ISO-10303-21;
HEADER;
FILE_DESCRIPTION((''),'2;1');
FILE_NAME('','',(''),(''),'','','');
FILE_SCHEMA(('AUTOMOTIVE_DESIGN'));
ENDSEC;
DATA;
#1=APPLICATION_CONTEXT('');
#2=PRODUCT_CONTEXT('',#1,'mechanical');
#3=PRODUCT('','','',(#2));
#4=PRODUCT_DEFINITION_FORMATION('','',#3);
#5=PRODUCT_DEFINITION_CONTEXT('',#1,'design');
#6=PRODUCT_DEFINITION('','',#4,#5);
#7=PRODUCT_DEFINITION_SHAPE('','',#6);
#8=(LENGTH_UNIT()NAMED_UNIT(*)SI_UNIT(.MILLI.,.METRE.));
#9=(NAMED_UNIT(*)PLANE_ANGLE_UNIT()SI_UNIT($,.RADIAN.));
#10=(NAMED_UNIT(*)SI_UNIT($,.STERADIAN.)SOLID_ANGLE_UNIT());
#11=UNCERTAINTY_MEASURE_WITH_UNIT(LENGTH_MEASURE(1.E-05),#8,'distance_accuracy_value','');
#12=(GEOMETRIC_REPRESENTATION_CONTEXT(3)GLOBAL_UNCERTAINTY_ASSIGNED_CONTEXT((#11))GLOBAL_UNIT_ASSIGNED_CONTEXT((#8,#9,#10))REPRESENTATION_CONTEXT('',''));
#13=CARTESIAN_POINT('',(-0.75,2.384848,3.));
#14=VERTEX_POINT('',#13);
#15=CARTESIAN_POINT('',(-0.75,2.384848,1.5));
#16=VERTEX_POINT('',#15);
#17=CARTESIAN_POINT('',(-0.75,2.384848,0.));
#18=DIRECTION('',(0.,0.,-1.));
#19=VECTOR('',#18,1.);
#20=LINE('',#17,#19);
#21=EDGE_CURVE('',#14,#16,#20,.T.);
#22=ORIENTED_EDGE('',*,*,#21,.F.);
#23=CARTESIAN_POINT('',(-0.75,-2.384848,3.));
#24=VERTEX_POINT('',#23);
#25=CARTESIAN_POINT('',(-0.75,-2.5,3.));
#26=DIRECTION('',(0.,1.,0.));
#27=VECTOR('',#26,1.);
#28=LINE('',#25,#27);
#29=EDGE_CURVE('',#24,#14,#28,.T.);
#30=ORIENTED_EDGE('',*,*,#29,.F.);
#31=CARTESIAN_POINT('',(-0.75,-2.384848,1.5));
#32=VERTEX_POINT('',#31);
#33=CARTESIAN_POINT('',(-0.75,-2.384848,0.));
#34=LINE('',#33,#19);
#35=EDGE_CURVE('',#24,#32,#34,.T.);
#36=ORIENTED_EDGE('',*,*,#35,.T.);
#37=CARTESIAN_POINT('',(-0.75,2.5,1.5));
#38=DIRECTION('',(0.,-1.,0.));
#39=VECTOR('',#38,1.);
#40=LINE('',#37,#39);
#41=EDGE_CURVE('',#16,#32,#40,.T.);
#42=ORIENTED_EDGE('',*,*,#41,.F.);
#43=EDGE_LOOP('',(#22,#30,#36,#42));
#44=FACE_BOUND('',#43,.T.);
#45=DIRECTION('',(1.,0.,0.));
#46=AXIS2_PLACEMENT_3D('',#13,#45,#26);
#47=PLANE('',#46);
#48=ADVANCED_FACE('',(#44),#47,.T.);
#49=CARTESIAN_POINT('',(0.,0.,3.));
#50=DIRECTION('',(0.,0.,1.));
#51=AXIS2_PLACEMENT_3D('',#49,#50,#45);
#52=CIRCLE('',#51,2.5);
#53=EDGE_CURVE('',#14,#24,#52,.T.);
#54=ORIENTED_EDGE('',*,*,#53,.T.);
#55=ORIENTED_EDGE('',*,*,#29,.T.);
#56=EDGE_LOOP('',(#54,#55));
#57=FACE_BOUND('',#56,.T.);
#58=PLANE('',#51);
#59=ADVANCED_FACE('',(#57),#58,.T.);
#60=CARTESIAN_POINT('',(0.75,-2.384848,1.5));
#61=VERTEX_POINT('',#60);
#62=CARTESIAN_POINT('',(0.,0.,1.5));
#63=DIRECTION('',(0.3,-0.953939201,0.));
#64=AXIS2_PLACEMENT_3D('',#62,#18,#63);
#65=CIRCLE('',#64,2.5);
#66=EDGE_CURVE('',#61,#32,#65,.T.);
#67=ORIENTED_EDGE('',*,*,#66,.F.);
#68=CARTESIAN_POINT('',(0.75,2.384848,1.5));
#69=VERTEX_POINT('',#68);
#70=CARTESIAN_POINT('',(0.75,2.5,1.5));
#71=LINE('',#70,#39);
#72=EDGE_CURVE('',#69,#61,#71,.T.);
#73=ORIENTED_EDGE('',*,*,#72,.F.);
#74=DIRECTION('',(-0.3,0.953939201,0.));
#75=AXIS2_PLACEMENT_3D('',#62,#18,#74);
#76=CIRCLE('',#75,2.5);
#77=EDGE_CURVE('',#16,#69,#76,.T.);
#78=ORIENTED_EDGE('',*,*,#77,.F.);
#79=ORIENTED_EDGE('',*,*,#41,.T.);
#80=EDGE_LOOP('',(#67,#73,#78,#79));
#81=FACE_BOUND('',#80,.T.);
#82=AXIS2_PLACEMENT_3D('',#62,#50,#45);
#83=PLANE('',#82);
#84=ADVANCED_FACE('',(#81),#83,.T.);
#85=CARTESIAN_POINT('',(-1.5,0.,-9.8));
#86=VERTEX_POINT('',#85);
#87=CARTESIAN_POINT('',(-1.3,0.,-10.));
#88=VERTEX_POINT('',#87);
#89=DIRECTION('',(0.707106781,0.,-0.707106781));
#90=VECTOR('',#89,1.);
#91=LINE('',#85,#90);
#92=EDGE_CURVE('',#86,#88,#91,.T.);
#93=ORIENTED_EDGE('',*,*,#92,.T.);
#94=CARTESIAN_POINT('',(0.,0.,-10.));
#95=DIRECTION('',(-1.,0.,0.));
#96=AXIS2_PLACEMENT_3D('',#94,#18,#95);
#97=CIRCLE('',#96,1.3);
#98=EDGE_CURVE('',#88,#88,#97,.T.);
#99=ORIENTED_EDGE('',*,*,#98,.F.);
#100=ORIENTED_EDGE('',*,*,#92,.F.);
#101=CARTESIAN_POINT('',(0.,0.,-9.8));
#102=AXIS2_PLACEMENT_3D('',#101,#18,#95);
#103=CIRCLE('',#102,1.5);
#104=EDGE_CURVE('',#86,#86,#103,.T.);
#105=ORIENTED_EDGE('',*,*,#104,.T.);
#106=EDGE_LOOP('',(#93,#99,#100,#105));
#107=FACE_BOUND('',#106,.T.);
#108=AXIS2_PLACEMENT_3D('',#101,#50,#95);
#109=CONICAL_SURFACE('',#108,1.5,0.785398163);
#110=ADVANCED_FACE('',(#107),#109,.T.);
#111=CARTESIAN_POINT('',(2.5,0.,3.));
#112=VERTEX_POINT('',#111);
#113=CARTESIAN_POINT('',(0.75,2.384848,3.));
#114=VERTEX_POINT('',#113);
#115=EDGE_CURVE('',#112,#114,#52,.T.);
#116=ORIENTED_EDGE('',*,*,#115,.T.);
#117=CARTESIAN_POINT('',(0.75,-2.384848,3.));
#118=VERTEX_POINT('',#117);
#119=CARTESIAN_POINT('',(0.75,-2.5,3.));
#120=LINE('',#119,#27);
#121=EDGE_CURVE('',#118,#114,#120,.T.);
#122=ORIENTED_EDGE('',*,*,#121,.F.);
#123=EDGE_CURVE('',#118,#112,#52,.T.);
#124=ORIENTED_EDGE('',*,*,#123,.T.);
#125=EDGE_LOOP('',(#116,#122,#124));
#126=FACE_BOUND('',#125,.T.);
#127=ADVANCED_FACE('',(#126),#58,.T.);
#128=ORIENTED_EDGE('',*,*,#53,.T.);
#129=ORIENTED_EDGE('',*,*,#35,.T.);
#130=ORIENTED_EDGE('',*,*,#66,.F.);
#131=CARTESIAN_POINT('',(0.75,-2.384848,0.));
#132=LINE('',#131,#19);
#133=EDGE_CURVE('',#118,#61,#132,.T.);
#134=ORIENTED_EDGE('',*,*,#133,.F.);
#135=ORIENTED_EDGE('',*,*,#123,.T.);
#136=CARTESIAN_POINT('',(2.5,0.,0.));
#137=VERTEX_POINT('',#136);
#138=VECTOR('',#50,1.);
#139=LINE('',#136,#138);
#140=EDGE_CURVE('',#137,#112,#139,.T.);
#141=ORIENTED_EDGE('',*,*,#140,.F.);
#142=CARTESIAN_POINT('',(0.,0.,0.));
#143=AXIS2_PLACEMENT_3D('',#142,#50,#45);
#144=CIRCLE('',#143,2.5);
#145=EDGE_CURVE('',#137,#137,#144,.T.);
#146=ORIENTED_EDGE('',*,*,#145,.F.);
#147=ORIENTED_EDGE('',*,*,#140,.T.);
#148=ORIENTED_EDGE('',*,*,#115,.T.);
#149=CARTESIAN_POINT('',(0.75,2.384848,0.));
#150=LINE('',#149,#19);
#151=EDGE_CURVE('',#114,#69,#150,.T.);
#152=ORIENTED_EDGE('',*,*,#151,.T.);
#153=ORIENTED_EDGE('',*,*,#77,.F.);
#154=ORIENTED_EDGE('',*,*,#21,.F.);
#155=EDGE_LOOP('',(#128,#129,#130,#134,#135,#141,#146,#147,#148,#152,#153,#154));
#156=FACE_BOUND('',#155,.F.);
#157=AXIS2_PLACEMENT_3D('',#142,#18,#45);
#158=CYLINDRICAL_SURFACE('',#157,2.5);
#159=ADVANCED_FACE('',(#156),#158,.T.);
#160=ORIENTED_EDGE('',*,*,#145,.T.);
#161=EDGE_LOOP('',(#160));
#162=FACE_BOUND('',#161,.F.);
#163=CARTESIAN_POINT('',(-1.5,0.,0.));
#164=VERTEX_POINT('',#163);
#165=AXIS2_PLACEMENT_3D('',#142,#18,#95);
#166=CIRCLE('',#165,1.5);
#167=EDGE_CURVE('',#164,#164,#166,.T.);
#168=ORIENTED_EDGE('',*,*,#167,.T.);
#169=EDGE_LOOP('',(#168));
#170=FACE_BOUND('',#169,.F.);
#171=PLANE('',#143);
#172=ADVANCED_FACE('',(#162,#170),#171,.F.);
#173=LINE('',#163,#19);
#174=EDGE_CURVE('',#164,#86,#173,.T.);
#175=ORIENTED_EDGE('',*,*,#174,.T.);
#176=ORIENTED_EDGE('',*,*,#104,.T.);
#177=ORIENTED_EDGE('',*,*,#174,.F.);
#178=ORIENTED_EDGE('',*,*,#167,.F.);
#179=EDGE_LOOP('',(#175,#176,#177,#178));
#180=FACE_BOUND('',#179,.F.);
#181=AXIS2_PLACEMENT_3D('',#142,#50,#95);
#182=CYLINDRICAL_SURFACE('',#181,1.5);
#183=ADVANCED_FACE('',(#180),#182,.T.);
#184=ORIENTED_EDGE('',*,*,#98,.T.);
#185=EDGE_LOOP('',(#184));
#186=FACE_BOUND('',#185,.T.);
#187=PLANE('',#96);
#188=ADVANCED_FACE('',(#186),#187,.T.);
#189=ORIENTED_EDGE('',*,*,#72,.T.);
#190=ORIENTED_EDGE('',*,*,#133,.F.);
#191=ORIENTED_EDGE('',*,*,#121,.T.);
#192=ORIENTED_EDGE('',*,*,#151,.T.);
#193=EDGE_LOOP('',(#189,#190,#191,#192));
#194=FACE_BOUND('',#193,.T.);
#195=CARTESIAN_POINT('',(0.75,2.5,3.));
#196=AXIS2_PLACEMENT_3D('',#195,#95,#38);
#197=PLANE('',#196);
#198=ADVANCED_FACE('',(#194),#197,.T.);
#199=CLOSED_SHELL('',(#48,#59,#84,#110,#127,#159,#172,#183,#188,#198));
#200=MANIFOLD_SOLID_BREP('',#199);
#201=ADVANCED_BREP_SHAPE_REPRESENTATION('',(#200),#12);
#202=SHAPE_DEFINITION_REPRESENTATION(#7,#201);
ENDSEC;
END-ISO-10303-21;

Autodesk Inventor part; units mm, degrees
ref_plane "YZ Plane" through (0, 0, 0) normal (1, 0, 0) x (0, 1, 0)
ref_plane "XZ Plane" through (0, 0, 0) normal (0, 1, 0) x (-1, 0, 0)
ref_plane "XY Plane" through (0, 0, 0) normal (0, 0, 1) x (1, 0, 0)
sketch "草图1" plane through (0, 0, 0) normal (0, 0, 1) x (1, 0, 0)
  circle A0 centre (0, 0) radius 2.5
  dimension "d0" = 5
extrude "拉伸1" add sketch "草图1" along normal blind 3
sketch "草图2" plane through (0, 0, 3) normal (0, 0, 1) x (1, 0, 0)
  line L0 (-0.75, 2.5) -> (0.75, 2.5)
  line L1 (0.75, 2.5) -> (0.75, -2.5)
  line L2 (0.75, -2.5) -> (-0.75, -2.5)
  line L3 (-0.75, -2.5) -> (-0.75, 2.5)
  circle A0 centre (0, 0) radius 2.5 projected
  point P0 (0, 2.5)
  dimension "d3" = 1.5
extrude "拉伸2" cut sketch "草图2" against normal blind 1.5 contours L0 A0 L3 | L0 L1 A0 | A0 L1 L3 | A0 L2 L3 | L1 L2 A0
sketch "草图3" plane through (0, 0, 0) normal (0, 0, -1) x (-1, 0, 0)
  circle A0 centre (0, 0) radius 1.5
  dimension "d6" = 3
extrude "拉伸3" add sketch "草图3" along normal blind 10
thread "螺纹1" size "M3x0.5" class "6g" standard "ANSI Metric M Profile" full length
chamfer "倒角1" distance 0.2 angle 45 1 edges at (1.5, 0, -10)
properties part number "分离前导形片固定螺丝"
